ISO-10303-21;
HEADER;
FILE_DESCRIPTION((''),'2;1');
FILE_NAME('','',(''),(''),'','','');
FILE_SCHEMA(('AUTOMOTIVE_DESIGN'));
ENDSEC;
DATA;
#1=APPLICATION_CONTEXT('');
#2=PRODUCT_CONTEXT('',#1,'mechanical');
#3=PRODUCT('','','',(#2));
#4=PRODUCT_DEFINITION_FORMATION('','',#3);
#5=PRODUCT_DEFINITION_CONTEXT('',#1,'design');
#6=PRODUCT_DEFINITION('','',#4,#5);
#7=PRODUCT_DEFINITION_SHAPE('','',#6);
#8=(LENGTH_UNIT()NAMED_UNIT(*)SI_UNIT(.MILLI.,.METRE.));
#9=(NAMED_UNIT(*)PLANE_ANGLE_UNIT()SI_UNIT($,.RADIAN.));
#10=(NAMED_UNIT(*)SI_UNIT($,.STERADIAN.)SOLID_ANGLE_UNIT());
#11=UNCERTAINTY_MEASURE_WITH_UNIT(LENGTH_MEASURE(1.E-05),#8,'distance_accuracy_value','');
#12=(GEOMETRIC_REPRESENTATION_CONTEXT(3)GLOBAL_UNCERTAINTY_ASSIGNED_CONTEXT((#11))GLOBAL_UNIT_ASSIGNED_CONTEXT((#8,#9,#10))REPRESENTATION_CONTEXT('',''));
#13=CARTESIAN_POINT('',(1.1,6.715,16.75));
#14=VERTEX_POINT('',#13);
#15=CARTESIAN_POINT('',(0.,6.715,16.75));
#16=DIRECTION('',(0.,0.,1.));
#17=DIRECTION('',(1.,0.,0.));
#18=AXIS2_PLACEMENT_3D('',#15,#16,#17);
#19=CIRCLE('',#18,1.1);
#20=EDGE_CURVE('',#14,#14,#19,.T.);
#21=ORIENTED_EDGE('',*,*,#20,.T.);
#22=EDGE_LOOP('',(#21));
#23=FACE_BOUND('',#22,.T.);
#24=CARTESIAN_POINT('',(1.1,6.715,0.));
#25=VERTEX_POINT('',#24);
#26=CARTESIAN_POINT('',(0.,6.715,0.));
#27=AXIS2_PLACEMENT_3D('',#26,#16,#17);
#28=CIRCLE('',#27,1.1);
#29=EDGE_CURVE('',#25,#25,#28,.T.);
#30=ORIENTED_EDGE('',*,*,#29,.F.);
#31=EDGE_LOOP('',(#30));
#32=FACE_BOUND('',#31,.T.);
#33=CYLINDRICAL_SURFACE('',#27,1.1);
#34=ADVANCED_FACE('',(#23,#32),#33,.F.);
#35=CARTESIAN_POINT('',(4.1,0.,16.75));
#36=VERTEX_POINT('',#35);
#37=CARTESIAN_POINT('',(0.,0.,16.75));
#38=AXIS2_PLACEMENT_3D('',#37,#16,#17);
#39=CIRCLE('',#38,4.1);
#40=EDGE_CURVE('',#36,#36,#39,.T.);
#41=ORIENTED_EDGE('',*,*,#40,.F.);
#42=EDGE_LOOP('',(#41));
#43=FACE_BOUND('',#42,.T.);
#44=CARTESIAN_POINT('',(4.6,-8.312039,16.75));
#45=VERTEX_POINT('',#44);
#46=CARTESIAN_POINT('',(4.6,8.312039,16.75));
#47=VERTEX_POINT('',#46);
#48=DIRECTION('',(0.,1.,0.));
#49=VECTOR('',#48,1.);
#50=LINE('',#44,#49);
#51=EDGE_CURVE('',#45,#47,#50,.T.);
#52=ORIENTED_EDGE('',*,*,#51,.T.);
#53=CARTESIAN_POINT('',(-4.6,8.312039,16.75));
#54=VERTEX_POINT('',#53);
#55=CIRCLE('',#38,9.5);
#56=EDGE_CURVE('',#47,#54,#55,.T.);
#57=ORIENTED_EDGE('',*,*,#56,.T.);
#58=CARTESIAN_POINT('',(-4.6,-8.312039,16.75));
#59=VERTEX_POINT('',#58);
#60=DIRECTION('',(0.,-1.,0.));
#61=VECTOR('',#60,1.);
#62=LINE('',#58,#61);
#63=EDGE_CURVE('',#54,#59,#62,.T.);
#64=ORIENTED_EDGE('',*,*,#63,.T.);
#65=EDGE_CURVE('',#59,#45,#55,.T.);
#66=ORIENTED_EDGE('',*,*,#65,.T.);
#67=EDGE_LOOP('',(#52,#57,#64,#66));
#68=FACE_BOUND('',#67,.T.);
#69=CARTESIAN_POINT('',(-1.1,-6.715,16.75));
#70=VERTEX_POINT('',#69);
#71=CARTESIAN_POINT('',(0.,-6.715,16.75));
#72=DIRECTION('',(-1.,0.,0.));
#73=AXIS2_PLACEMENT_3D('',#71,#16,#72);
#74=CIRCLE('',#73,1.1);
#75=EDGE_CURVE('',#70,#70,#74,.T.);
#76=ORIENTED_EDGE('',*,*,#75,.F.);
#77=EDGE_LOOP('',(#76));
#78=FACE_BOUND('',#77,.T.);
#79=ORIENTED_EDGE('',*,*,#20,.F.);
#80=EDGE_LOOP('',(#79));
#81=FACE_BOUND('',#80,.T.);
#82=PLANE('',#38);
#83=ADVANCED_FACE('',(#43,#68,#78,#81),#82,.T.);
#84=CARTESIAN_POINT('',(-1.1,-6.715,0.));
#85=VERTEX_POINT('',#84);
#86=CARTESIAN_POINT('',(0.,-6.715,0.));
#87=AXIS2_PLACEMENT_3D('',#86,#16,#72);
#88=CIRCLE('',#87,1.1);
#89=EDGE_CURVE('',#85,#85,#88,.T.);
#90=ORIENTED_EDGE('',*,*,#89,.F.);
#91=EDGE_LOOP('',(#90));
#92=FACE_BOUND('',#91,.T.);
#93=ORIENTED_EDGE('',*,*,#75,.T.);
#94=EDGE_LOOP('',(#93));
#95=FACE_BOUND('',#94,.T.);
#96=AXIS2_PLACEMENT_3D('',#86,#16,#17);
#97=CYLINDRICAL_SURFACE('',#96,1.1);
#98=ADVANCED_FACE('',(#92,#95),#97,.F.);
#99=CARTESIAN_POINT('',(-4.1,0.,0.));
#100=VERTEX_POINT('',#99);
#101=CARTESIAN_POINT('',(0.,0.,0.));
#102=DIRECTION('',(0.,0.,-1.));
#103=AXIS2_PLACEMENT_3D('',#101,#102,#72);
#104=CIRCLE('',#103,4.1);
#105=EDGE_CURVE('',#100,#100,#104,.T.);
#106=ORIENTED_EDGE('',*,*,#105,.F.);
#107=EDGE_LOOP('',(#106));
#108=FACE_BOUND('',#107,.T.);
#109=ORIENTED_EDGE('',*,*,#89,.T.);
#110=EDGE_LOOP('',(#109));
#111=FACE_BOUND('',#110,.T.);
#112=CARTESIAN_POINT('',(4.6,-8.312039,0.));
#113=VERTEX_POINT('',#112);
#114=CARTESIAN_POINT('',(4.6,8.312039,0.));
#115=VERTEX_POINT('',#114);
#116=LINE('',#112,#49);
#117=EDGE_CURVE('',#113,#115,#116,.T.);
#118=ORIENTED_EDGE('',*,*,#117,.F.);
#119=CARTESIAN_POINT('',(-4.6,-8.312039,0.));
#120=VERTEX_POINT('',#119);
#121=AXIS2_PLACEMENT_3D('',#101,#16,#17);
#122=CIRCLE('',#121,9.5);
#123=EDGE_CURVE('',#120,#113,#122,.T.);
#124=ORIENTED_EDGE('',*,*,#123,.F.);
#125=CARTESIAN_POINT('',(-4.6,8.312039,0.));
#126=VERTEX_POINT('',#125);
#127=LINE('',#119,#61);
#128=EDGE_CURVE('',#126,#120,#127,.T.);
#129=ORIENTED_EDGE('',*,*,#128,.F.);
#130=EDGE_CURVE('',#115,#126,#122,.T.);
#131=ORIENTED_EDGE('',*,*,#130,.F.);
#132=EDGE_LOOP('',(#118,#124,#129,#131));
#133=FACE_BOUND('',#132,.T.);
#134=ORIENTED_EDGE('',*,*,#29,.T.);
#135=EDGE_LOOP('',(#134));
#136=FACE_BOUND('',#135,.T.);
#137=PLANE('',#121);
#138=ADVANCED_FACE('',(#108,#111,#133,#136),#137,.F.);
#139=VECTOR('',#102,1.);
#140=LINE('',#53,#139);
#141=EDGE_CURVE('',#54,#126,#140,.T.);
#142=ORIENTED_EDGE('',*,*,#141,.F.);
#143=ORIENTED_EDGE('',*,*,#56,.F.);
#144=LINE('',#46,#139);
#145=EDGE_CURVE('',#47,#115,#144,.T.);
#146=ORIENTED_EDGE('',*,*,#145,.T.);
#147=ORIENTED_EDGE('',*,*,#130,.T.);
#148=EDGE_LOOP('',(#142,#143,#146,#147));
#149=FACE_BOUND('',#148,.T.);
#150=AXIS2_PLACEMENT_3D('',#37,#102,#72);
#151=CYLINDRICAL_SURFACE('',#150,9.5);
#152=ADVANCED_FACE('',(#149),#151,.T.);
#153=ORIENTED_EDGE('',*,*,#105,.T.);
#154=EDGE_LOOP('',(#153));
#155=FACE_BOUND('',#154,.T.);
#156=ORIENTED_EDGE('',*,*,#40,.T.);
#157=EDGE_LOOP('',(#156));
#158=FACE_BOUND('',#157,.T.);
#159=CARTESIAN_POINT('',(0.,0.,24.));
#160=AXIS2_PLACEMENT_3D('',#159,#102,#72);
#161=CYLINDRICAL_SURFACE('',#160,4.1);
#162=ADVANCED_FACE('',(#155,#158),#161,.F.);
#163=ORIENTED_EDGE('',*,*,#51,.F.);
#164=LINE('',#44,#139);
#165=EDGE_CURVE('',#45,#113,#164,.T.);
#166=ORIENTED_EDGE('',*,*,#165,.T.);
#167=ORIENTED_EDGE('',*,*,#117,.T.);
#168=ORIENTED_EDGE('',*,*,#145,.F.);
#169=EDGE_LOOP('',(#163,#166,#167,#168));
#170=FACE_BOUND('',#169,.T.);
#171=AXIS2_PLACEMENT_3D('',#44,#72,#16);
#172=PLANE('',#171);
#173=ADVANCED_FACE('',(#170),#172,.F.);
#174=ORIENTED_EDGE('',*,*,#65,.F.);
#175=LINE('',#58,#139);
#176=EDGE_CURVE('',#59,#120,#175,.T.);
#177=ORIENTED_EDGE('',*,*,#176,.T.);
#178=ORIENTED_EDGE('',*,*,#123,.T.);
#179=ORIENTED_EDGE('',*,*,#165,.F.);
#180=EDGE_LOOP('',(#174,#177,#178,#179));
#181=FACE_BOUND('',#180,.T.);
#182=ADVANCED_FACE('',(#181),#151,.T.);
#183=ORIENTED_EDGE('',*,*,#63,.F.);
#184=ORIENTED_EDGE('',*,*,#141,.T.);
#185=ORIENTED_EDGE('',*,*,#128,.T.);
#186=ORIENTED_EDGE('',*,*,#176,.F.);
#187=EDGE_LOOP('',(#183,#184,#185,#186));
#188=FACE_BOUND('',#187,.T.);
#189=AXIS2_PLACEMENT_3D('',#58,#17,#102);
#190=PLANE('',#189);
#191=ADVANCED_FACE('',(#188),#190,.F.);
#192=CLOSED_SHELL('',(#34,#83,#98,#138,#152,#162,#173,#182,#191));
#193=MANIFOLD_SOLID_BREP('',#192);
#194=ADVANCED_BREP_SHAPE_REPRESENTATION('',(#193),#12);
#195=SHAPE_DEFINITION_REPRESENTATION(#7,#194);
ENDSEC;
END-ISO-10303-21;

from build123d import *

# Parameters (mm, degrees)
EXTRUDE1_DEPTH     = 16.75
SKETCH3_R          = 1.1
CUT_EXTRUDE1_DEPTH = 20.798295381
SKETCH5_R          = 4.1
CUT_EXTRUDE2_DEPTH = 24


with BuildPart() as part:
    # Sketch1 → Extrude1 (new body)
    with BuildSketch(Plane.XY):
        with BuildLine():
            Line((-4.6, -8.312039461), (-4.6, 8.312039461))
            ThreePointArc((-4.6, 8.312039461), (0, 9.5), (4.6, 8.312039461))
            Line((4.6, 8.312039461), (4.6, -8.312039461))
            ThreePointArc((4.6, -8.312039461), (0, -9.5), (-4.6, -8.312039461))
        make_face()
    extrude(amount=EXTRUDE1_DEPTH)

    # Sketch3 → Cut-Extrude1 (cut, through all)
    with BuildSketch(Plane.XY.offset(16.75)):
        with Locations((0, 6.715)):
            Circle(SKETCH3_R)
        with Locations(Location((0, -6.715, 0), (0, 0, 180))):
            Circle(SKETCH3_R)
    extrude(amount=-CUT_EXTRUDE1_DEPTH, mode=Mode.SUBTRACT)

    # Sketch5 → Cut-Extrude2 (cut)
    with BuildSketch(Plane(origin=(0, 0, 0), x_dir=(-1, 0, 0), z_dir=(0, 0, -1))):
        Circle(SKETCH5_R)
    extrude(amount=-CUT_EXTRUDE2_DEPTH, mode=Mode.SUBTRACT)


solid = part.part
